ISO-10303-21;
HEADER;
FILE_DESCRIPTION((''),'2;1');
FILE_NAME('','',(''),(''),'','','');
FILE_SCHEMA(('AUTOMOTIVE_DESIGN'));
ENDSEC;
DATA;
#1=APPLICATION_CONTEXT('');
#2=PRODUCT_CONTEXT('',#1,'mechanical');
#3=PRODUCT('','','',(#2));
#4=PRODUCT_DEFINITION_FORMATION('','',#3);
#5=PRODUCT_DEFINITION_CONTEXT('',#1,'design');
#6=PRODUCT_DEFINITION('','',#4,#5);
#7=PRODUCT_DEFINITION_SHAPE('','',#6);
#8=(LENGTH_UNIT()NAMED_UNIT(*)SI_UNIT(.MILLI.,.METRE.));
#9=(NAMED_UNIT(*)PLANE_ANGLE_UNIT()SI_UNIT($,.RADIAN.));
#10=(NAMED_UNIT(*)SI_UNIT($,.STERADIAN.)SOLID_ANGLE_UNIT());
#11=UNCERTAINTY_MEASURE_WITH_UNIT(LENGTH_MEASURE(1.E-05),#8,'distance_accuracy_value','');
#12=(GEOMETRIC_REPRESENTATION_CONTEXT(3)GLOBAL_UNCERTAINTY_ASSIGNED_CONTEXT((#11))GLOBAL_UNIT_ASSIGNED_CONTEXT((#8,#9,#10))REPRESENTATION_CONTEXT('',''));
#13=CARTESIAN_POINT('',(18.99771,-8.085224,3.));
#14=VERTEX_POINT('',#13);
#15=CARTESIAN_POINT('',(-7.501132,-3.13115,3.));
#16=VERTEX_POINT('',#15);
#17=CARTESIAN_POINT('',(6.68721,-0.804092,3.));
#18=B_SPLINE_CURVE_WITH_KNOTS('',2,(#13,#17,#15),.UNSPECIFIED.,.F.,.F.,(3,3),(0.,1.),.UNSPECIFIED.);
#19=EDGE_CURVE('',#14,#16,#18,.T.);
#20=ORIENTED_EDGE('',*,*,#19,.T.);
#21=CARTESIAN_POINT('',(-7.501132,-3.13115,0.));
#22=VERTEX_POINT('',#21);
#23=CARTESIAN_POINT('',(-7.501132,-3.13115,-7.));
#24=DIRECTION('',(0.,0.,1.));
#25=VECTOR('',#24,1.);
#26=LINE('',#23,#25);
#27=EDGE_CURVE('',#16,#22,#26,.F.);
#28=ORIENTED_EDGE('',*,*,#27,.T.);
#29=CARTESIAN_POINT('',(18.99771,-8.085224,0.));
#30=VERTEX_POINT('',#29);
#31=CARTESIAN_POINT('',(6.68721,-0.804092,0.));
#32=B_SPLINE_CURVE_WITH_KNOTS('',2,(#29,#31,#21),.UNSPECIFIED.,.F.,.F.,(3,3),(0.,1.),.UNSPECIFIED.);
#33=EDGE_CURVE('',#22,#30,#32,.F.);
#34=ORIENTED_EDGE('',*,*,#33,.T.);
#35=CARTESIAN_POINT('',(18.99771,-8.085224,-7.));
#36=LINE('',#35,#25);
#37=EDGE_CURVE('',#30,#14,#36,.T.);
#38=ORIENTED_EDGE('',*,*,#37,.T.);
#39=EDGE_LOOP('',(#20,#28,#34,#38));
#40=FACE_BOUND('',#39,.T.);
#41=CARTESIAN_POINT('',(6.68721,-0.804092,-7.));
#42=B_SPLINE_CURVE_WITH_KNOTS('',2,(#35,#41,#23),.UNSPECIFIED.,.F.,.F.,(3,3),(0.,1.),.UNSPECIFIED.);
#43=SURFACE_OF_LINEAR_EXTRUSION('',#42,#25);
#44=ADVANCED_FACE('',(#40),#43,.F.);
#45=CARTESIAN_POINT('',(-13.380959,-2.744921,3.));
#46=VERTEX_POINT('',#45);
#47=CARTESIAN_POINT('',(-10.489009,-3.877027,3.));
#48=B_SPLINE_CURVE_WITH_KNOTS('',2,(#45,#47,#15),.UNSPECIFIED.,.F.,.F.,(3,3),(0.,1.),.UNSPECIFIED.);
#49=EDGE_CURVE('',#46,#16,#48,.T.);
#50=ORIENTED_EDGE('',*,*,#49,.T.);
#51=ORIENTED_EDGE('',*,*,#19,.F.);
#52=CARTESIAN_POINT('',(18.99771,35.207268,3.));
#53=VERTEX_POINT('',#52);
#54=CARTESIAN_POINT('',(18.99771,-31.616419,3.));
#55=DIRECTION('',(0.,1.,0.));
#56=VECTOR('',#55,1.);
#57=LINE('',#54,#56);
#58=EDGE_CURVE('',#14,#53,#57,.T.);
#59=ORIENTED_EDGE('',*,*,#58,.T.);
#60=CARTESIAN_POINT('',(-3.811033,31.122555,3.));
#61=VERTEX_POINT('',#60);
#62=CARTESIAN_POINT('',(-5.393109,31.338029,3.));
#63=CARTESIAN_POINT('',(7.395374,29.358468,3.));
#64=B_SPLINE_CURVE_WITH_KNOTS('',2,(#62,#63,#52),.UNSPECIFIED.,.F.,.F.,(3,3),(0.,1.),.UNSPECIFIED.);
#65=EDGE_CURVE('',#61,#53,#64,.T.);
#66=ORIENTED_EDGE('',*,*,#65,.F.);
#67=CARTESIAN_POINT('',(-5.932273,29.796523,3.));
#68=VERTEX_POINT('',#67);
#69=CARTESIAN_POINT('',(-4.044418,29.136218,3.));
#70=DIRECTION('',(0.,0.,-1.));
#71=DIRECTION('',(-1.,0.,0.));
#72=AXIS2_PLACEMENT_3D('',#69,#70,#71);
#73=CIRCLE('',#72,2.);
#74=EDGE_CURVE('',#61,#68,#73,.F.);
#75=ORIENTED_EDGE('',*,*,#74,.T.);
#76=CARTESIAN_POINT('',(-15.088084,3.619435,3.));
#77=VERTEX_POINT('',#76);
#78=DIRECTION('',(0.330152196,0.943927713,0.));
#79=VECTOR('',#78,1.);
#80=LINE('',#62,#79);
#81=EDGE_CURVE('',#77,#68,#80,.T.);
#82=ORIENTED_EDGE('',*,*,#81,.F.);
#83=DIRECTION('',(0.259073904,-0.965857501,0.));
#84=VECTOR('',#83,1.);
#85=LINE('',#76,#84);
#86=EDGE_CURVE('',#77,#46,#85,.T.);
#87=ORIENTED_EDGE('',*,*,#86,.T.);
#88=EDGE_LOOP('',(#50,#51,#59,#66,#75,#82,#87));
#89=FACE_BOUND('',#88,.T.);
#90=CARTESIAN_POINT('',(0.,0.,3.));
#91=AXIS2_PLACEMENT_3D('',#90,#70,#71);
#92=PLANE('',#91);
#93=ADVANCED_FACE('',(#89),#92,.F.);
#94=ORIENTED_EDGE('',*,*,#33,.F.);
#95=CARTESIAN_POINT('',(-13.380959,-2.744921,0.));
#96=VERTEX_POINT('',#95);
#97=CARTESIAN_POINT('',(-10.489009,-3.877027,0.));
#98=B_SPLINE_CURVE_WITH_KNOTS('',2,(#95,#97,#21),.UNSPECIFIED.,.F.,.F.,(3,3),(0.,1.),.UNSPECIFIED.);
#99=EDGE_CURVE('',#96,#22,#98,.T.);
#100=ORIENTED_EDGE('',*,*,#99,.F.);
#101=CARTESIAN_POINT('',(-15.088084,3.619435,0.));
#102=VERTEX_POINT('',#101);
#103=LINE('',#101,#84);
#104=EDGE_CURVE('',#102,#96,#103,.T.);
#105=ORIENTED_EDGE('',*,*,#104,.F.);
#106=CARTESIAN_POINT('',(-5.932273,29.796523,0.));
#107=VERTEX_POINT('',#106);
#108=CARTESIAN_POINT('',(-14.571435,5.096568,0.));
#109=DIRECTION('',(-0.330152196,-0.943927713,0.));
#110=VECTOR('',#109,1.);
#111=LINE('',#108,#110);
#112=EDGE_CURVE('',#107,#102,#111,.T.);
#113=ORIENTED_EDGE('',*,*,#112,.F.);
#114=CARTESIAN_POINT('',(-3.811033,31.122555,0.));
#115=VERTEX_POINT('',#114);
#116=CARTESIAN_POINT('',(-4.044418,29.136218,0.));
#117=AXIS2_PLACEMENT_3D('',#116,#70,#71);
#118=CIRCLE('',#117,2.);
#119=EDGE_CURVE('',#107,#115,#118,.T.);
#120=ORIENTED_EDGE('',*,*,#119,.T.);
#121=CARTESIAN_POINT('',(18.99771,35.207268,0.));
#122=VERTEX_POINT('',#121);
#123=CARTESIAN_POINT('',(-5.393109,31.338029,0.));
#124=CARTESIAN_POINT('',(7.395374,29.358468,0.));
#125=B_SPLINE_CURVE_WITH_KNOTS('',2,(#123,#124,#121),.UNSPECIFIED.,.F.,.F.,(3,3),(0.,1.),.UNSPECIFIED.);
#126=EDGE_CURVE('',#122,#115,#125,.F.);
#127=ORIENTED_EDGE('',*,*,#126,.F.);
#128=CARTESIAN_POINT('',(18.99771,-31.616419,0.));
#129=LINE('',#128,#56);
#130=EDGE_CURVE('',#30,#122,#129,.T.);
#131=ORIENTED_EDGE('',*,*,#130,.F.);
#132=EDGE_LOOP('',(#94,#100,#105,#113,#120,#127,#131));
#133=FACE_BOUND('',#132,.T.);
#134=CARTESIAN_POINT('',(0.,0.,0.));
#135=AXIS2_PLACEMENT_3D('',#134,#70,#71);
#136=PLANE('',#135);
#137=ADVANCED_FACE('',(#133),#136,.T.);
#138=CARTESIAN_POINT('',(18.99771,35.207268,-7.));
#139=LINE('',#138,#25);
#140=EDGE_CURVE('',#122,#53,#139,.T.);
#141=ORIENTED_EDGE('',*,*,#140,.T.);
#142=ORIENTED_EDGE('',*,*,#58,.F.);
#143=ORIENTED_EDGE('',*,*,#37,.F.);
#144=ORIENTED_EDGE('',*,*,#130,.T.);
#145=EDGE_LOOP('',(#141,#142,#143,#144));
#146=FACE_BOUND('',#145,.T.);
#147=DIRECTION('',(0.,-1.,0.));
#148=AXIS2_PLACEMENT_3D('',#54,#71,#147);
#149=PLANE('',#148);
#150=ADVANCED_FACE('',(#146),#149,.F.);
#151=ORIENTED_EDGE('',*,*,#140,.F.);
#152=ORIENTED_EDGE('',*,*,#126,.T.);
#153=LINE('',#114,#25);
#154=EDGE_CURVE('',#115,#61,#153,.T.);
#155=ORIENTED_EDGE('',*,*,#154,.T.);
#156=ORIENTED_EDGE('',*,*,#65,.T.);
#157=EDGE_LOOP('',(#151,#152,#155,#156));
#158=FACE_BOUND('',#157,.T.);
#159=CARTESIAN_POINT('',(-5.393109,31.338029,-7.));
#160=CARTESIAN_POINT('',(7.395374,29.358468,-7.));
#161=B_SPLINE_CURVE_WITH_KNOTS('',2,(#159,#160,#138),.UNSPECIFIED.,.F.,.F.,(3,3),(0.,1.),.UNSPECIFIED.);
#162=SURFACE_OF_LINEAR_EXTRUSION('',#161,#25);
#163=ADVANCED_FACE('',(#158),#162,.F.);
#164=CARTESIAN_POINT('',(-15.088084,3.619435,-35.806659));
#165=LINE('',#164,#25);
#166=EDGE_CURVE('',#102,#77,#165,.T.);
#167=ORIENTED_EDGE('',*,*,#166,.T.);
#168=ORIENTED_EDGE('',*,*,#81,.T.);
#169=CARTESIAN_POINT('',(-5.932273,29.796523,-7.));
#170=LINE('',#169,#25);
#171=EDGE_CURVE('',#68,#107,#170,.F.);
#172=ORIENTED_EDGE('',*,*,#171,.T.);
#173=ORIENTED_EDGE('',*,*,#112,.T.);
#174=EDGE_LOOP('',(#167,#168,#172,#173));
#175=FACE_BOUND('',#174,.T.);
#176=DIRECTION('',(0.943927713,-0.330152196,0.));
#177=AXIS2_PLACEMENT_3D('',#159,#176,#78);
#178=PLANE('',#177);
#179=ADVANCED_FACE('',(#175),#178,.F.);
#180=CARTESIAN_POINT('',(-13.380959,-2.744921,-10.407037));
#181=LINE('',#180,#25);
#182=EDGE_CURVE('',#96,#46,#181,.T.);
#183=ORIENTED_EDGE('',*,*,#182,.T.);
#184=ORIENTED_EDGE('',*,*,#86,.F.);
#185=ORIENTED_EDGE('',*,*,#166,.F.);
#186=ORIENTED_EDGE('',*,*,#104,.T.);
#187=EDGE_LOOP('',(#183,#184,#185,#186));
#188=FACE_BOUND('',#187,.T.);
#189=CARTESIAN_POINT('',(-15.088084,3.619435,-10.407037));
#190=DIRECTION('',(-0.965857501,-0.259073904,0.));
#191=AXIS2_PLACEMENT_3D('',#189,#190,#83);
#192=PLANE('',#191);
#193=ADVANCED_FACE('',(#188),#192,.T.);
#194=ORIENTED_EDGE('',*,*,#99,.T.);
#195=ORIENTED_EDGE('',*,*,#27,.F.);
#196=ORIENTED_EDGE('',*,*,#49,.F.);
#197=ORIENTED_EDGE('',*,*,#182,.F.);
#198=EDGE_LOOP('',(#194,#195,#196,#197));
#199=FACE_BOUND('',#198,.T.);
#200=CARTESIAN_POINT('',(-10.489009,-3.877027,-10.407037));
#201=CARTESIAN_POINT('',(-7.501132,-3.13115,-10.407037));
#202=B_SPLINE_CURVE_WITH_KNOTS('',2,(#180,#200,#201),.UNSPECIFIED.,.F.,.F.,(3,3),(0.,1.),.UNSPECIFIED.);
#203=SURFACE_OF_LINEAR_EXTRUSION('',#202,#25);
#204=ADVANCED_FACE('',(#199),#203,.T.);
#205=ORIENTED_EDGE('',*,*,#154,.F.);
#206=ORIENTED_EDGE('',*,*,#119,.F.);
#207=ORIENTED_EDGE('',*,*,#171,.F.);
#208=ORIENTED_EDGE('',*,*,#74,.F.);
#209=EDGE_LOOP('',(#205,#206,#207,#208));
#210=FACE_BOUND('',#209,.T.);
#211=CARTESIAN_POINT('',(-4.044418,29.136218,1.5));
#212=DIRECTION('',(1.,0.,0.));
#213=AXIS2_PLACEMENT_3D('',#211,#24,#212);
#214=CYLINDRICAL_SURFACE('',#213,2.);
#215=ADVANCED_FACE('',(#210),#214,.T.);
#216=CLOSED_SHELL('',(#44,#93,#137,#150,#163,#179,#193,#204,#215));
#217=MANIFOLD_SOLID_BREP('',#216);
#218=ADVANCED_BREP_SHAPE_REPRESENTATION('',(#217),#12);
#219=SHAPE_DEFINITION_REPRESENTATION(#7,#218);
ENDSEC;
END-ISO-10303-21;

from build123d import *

# Parameters (mm, degrees)
EXTRUDE_1_DEPTH      = 3
EXTRUDE_2_DEPTH      = 3
CUT_EXTRUDE_1_DEPTH  = 10
CUT_EXTRUDE_2_DEPTH  = 10
FILLET_1_R           = 2
CUT_EXTRUDE_3_DEPTH  = 10
CUT_EXTRUDE_4_DEPTH  = 10
CUT_EXTRUDE_5_DEPTH  = 10
CUT_EXTRUDE_6_DEPTH  = 10
CUT_EXTRUDE_7_DEPTH  = 10
EXTRUDE_3_DEPTH      = 3
EXTRUDE_4_DEPTH      = 3
EXTRUDE_5_DEPTH      = 3
CUT_EXTRUDE_8_DEPTH  = 10
CUT_EXTRUDE_9_DEPTH  = 10
CUT_EXTRUDE_10_DEPTH = 10
EXTRUDE_7_DEPTH      = 3
CUT_EXTRUDE_11_DEPTH = 10
CUT_EXTRUDE_12_DEPTH = 10
CUT_EXTRUDE_13_DEPTH = 10
FILLET_2_R           = 2


with BuildPart() as part:
    # 草图1 → 凸台-拉伸1 (new body)
    with BuildSketch(Plane.XY):
        Polygon((18.419709666, -31.180034248), (-18.99770992, -2.648675004), (-11.516544217, 31.616418832), (-4.12729008, 31.616418832), (18.99770992, 31.616418832), (18.99770992, -31.616418832), align=None)
    extrude(amount=EXTRUDE_1_DEPTH)

    # 草图2 → 凸台-拉伸2 (add)
    with BuildSketch(Plane.XY.offset(3)):
        Polygon((18.99770992, 31.616418832), (18.99770992, 39.616418832), (-11.516544217, 31.616418832), align=None)
    extrude(amount=-EXTRUDE_2_DEPTH)

    # 草图3 → 切除-拉伸1 (cut)
    with BuildSketch(Plane.XY.offset(3)):
        with BuildLine():
            Line((-18.99770992, -2.648675004), (18.419709666, -31.180034248))
            Line((18.419709666, -31.180034248), (18.99770992, -31.616418832))
            add(Edge.make_bspline(
                [(-18.99770992, -2.648675004), (-4.909401081, -6.664762391), (12.96021978, -16.653979791), (18.99770992, -31.616418832)],
                knots=[0, 0, 0, 0, 0.839418351, 0.839418351, 0.839418351, 0.839418351], degree=3))
        make_face()
    extrude(amount=-CUT_EXTRUDE_1_DEPTH, mode=Mode.SUBTRACT)

    # 草图4 → 切除-拉伸2 (cut)
    with BuildSketch(Plane.XY.offset(3)):
        with BuildLine():
            Line((18.99770992, 39.616418832), (-11.516544217, 31.616418832))
            add(Edge.make_bspline(
                [(-11.516544217, 31.616418832), (5.451208804, 29.787696143), (18.99770992, 39.616418832)],
                knots=[0, 0, 0, 1, 1, 1], degree=2))
        make_face()
    extrude(amount=-CUT_EXTRUDE_2_DEPTH, mode=Mode.SUBTRACT)

    # 圆角1
    fillet_1_edges = [part.edges().sort_by_distance(p)[0] for p in [
        (-11.516544217, 31.616418832, 1.5),
        (-18.99770992, -2.648675004, 1.5),
    ]]
    fillet(fillet_1_edges, radius=FILLET_1_R)

    # 草图5 → 切除-拉伸3 (cut)
    with BuildSketch(Plane.XY.offset(3)):
        with BuildLine():
            Line((-15.247678714, 14.527147092), (-18.602325656, -0.837743464))
            ThreePointArc((-18.602325656, -0.837743464), (-18.37793511, -2.26862535), (-17.246477615, -3.172825565))
            add(Edge.make_bspline(
                [(-5.349580984, -8.035622202), (-9.34088255, -6.003793842), (-13.405831379, -4.376501244), (-17.246477615, -3.172825565)],
                knots=[0.580679004, 0.580679004, 0.580679004, 0.580679004, 0.804994854, 0.804994854, 0.804994854, 0.804994854], degree=3))
            Line((-5.349580984, -8.035622202), (-15.247678714, 14.527147092))
        make_face()
    extrude(amount=-CUT_EXTRUDE_3_DEPTH, mode=Mode.SUBTRACT)

    # 草图6 → 切除-拉伸4 (cut)
    with BuildSketch(Plane.XY.offset(3)):
        with BuildLine():
            Line((18.99770992, -31.616418832), (18.99770992, -24.041974817))
            add(Edge.make_bspline(
                [(-5.349580984, -8.035622202), (10.712822768, -10.603879461), (18.99770992, -24.041974817)],
                knots=[0, 0, 0, 1, 1, 1], degree=2))
            add(Edge.make_bspline(
                [(18.99770992, -31.616418832), (14.821194408, -21.265949132), (4.982569087, -13.295348934), (-5.349580984, -8.035622202)],
                knots=[0, 0, 0, 0, 0.580679004, 0.580679004, 0.580679004, 0.580679004], degree=3))
        make_face()
    extrude(amount=-CUT_EXTRUDE_4_DEPTH, mode=Mode.SUBTRACT)

    # 草图7 → 切除-拉伸5 (cut)
    with BuildSketch(Plane.XY.offset(3)):
        with BuildLine():
            Line((-7.501131826, -3.13114999), (-5.349580984, -8.035622202))
            add(Edge.make_bspline(
                [(18.99770992, -24.041974817), (10.712822768, -10.603879461), (-5.349580984, -8.035622202)],
                knots=[0, 0, 0, 1, 1, 1], degree=2))
            Line((18.99770992, -24.041974817), (18.99770992, -15.72868914))
            add(Edge.make_bspline(
                [(-7.501131826, -3.13114999), (8.534248318, -3.706395951), (18.99770992, -15.72868914)],
                knots=[0, 0, 0, 1, 1, 1], degree=2))
        make_face()
    extrude(amount=-CUT_EXTRUDE_5_DEPTH, mode=Mode.SUBTRACT)

    # 草图9 → 切除-拉伸6 (cut)
    with BuildSketch(Plane.XY.offset(3)):
        with BuildLine():
            Line((-15.247678714, 14.527147092), (-5.393109321, 31.338029381))
            add(Edge.make_bspline(
                [(-9.792557358, 31.460050353), (-7.562671253, 31.296266706), (-5.393109321, 31.338029381)],
                knots=[0, 0, 0, 1, 1, 1], degree=2))
            ThreePointArc((-9.792557358, 31.460050353), (-11.135472525, 31.068108787), (-11.893031771, 29.892037648))
            Line((-11.893031771, 29.892037648), (-15.247678714, 14.527147092))
        make_face()
    extrude(amount=-CUT_EXTRUDE_6_DEPTH, mode=Mode.SUBTRACT)

    # 草图10 → 切除-拉伸7 (cut)
    with BuildSketch(Plane.XY.offset(3)):
        Polygon((-15.247678714, 14.527147092), (-5.393109321, 31.338029381), (-13.423981873, 10.370019914), align=None)
    extrude(amount=-CUT_EXTRUDE_7_DEPTH, mode=Mode.SUBTRACT)

    # 草图11 → 凸台-拉伸3 (add)
    with BuildSketch(Plane.XY.offset(3)):
        Polygon((-13.423981873, 3.619434962), (-7.501131826, -3.13114999), (-13.423981873, 10.370019914), align=None)
        Polygon((-13.423981873, 16.619434962), (-13.423981873, 10.370019914), (-5.393109321, 31.338029381), align=None)
    extrude(amount=-EXTRUDE_3_DEPTH)

    # 草图12 → 凸台-拉伸4 (add)
    with BuildSketch(Plane.XY.offset(3)):
        with BuildLine():
            Line((18.99770992, -15.72868914), (18.99770992, -16.37868914))
            add(Edge.make_bspline(
                [(-7.501131826, -3.13114999), (8.231572952, -4.86202672), (18.99770992, -16.37868914)],
                knots=[0, 0, 0, 1, 1, 1], degree=2))
            add(Edge.make_bspline(
                [(-7.501131826, -3.13114999), (8.534248318, -3.706395951), (18.99770992, -15.72868914)],
                knots=[0, 0, 0, 1, 1, 1], degree=2))
        make_face()
    extrude(amount=-EXTRUDE_4_DEPTH)

    # 草图14 → 凸台-拉伸5 (add)
    with BuildSketch(Plane.XY.offset(3)):
        Polygon((-13.423981873, 16.619434962), (-5.393109321, 31.338029381), (-15.088083527, 18.619208438), (-15.088083527, 3.619434962), (-7.501131826, -3.13114999), (-13.423981873, 3.619434962), align=None)
    extrude(amount=-EXTRUDE_5_DEPTH)

    # 草图15 → 切除-拉伸8 (cut)
    with BuildSketch(Plane.XY.offset(3)):
        Polygon((-5.393109321, 31.338029381), (-15.088083527, 18.619208438), (-15.088083527, 14.468365238), align=None)
    extrude(amount=-CUT_EXTRUDE_8_DEPTH, mode=Mode.SUBTRACT)

    # 草图16 → 切除-拉伸9 (cut)
    with BuildSketch(Plane.XY.offset(3)):
        with BuildLine():
            Line((18.99770992, -16.37868914), (18.99770992, -10.902642973))
            add(Edge.make_bspline(
                [(-7.501131826, -3.13114999), (7.093543529, -2.593480943), (18.99770992, -10.902642973)],
                knots=[0, 0, 0, 1, 1, 1], degree=2))
            add(Edge.make_bspline(
                [(-7.501131826, -3.13114999), (8.231572952, -4.86202672), (18.99770992, -16.37868914)],
                knots=[0, 0, 0, 1, 1, 1], degree=2))
        make_face()
    extrude(amount=-CUT_EXTRUDE_9_DEPTH, mode=Mode.SUBTRACT)

    # 草图17 → 切除-拉伸10 (cut)
    with BuildSketch(Plane.XY.offset(3)):
        with BuildLine():
            Line((18.99770992, -10.902642973), (18.99770992, -8.085223828))
            add(Edge.make_bspline(
                [(-7.501131826, -3.13114999), (6.687210299, -0.804092069), (18.99770992, -8.085223828)],
                knots=[0, 0, 0, 1, 1, 1], degree=2))
            add(Edge.make_bspline(
                [(18.99770992, -10.902642973), (7.093543529, -2.593480943), (-7.501131826, -3.13114999)],
                knots=[0, 0, 0, 1, 1, 1], degree=2))
        make_face()
    extrude(amount=-CUT_EXTRUDE_10_DEPTH, mode=Mode.SUBTRACT)

    # 草图18 → 凸台-拉伸7 (add)
    with BuildSketch(Plane.XY.offset(3)):
        with BuildLine():
            Line((-15.088083527, 3.619434962), (-13.3809595, -2.744921014))
            add(Edge.make_bspline(
                [(-13.3809595, -2.744921014), (-10.489009144, -3.877027088), (-7.501131826, -3.13114999)],
                knots=[0, 0, 0, 1, 1, 1], degree=2))
            Line((-7.501131826, -3.13114999), (-15.088083527, 3.619434962))
        make_face()
    extrude(amount=-EXTRUDE_7_DEPTH)

    # 草图19 → 切除-拉伸11 (cut)
    with BuildSketch(Plane.XY.offset(3)):
        Polygon((-13.593259145, 17.069422728), (-15.088083527, 14.468365238), (-15.088083527, 11.468365238), align=None)
    extrude(amount=-CUT_EXTRUDE_11_DEPTH, mode=Mode.SUBTRACT)

    # 草图20 → 切除-拉伸12 (cut)
    with BuildSketch(Plane.XY.offset(3)):
        with BuildLine():
            Line((18.99770992, 35.207268429), (18.99770992, 39.616418832))
            add(Edge.make_bspline(
                [(-5.393109321, 31.338029381), (7.941746813, 31.594716807), (18.99770992, 39.616418832)],
                knots=[0, 0, 0, 1, 1, 1], degree=2))
            add(Edge.make_bspline(
                [(-5.393109321, 31.338029381), (7.395374053, 29.358468499), (18.99770992, 35.207268429)],
                knots=[0, 0, 0, 1, 1, 1], degree=2))
        make_face()
    extrude(amount=-CUT_EXTRUDE_12_DEPTH, mode=Mode.SUBTRACT)

    # 草图22 → 切除-拉伸13 (cut)
    with BuildSketch(Plane.XY.offset(3)):
        Polygon((-5.393109324, 31.338029381), (-15.088083527, 3.619434962), (-15.088083527, 11.468365238), (-13.593259145, 17.069422728), align=None)
    extrude(amount=-CUT_EXTRUDE_13_DEPTH, mode=Mode.SUBTRACT)

    # 圆角2
    fillet_2_edges = [part.edges().sort_by_distance(p)[0] for p in [
        (-5.393109321, 31.338029381, 1.5),
    ]]
    fillet(fillet_2_edges, radius=FILLET_2_R)


solid = part.part
